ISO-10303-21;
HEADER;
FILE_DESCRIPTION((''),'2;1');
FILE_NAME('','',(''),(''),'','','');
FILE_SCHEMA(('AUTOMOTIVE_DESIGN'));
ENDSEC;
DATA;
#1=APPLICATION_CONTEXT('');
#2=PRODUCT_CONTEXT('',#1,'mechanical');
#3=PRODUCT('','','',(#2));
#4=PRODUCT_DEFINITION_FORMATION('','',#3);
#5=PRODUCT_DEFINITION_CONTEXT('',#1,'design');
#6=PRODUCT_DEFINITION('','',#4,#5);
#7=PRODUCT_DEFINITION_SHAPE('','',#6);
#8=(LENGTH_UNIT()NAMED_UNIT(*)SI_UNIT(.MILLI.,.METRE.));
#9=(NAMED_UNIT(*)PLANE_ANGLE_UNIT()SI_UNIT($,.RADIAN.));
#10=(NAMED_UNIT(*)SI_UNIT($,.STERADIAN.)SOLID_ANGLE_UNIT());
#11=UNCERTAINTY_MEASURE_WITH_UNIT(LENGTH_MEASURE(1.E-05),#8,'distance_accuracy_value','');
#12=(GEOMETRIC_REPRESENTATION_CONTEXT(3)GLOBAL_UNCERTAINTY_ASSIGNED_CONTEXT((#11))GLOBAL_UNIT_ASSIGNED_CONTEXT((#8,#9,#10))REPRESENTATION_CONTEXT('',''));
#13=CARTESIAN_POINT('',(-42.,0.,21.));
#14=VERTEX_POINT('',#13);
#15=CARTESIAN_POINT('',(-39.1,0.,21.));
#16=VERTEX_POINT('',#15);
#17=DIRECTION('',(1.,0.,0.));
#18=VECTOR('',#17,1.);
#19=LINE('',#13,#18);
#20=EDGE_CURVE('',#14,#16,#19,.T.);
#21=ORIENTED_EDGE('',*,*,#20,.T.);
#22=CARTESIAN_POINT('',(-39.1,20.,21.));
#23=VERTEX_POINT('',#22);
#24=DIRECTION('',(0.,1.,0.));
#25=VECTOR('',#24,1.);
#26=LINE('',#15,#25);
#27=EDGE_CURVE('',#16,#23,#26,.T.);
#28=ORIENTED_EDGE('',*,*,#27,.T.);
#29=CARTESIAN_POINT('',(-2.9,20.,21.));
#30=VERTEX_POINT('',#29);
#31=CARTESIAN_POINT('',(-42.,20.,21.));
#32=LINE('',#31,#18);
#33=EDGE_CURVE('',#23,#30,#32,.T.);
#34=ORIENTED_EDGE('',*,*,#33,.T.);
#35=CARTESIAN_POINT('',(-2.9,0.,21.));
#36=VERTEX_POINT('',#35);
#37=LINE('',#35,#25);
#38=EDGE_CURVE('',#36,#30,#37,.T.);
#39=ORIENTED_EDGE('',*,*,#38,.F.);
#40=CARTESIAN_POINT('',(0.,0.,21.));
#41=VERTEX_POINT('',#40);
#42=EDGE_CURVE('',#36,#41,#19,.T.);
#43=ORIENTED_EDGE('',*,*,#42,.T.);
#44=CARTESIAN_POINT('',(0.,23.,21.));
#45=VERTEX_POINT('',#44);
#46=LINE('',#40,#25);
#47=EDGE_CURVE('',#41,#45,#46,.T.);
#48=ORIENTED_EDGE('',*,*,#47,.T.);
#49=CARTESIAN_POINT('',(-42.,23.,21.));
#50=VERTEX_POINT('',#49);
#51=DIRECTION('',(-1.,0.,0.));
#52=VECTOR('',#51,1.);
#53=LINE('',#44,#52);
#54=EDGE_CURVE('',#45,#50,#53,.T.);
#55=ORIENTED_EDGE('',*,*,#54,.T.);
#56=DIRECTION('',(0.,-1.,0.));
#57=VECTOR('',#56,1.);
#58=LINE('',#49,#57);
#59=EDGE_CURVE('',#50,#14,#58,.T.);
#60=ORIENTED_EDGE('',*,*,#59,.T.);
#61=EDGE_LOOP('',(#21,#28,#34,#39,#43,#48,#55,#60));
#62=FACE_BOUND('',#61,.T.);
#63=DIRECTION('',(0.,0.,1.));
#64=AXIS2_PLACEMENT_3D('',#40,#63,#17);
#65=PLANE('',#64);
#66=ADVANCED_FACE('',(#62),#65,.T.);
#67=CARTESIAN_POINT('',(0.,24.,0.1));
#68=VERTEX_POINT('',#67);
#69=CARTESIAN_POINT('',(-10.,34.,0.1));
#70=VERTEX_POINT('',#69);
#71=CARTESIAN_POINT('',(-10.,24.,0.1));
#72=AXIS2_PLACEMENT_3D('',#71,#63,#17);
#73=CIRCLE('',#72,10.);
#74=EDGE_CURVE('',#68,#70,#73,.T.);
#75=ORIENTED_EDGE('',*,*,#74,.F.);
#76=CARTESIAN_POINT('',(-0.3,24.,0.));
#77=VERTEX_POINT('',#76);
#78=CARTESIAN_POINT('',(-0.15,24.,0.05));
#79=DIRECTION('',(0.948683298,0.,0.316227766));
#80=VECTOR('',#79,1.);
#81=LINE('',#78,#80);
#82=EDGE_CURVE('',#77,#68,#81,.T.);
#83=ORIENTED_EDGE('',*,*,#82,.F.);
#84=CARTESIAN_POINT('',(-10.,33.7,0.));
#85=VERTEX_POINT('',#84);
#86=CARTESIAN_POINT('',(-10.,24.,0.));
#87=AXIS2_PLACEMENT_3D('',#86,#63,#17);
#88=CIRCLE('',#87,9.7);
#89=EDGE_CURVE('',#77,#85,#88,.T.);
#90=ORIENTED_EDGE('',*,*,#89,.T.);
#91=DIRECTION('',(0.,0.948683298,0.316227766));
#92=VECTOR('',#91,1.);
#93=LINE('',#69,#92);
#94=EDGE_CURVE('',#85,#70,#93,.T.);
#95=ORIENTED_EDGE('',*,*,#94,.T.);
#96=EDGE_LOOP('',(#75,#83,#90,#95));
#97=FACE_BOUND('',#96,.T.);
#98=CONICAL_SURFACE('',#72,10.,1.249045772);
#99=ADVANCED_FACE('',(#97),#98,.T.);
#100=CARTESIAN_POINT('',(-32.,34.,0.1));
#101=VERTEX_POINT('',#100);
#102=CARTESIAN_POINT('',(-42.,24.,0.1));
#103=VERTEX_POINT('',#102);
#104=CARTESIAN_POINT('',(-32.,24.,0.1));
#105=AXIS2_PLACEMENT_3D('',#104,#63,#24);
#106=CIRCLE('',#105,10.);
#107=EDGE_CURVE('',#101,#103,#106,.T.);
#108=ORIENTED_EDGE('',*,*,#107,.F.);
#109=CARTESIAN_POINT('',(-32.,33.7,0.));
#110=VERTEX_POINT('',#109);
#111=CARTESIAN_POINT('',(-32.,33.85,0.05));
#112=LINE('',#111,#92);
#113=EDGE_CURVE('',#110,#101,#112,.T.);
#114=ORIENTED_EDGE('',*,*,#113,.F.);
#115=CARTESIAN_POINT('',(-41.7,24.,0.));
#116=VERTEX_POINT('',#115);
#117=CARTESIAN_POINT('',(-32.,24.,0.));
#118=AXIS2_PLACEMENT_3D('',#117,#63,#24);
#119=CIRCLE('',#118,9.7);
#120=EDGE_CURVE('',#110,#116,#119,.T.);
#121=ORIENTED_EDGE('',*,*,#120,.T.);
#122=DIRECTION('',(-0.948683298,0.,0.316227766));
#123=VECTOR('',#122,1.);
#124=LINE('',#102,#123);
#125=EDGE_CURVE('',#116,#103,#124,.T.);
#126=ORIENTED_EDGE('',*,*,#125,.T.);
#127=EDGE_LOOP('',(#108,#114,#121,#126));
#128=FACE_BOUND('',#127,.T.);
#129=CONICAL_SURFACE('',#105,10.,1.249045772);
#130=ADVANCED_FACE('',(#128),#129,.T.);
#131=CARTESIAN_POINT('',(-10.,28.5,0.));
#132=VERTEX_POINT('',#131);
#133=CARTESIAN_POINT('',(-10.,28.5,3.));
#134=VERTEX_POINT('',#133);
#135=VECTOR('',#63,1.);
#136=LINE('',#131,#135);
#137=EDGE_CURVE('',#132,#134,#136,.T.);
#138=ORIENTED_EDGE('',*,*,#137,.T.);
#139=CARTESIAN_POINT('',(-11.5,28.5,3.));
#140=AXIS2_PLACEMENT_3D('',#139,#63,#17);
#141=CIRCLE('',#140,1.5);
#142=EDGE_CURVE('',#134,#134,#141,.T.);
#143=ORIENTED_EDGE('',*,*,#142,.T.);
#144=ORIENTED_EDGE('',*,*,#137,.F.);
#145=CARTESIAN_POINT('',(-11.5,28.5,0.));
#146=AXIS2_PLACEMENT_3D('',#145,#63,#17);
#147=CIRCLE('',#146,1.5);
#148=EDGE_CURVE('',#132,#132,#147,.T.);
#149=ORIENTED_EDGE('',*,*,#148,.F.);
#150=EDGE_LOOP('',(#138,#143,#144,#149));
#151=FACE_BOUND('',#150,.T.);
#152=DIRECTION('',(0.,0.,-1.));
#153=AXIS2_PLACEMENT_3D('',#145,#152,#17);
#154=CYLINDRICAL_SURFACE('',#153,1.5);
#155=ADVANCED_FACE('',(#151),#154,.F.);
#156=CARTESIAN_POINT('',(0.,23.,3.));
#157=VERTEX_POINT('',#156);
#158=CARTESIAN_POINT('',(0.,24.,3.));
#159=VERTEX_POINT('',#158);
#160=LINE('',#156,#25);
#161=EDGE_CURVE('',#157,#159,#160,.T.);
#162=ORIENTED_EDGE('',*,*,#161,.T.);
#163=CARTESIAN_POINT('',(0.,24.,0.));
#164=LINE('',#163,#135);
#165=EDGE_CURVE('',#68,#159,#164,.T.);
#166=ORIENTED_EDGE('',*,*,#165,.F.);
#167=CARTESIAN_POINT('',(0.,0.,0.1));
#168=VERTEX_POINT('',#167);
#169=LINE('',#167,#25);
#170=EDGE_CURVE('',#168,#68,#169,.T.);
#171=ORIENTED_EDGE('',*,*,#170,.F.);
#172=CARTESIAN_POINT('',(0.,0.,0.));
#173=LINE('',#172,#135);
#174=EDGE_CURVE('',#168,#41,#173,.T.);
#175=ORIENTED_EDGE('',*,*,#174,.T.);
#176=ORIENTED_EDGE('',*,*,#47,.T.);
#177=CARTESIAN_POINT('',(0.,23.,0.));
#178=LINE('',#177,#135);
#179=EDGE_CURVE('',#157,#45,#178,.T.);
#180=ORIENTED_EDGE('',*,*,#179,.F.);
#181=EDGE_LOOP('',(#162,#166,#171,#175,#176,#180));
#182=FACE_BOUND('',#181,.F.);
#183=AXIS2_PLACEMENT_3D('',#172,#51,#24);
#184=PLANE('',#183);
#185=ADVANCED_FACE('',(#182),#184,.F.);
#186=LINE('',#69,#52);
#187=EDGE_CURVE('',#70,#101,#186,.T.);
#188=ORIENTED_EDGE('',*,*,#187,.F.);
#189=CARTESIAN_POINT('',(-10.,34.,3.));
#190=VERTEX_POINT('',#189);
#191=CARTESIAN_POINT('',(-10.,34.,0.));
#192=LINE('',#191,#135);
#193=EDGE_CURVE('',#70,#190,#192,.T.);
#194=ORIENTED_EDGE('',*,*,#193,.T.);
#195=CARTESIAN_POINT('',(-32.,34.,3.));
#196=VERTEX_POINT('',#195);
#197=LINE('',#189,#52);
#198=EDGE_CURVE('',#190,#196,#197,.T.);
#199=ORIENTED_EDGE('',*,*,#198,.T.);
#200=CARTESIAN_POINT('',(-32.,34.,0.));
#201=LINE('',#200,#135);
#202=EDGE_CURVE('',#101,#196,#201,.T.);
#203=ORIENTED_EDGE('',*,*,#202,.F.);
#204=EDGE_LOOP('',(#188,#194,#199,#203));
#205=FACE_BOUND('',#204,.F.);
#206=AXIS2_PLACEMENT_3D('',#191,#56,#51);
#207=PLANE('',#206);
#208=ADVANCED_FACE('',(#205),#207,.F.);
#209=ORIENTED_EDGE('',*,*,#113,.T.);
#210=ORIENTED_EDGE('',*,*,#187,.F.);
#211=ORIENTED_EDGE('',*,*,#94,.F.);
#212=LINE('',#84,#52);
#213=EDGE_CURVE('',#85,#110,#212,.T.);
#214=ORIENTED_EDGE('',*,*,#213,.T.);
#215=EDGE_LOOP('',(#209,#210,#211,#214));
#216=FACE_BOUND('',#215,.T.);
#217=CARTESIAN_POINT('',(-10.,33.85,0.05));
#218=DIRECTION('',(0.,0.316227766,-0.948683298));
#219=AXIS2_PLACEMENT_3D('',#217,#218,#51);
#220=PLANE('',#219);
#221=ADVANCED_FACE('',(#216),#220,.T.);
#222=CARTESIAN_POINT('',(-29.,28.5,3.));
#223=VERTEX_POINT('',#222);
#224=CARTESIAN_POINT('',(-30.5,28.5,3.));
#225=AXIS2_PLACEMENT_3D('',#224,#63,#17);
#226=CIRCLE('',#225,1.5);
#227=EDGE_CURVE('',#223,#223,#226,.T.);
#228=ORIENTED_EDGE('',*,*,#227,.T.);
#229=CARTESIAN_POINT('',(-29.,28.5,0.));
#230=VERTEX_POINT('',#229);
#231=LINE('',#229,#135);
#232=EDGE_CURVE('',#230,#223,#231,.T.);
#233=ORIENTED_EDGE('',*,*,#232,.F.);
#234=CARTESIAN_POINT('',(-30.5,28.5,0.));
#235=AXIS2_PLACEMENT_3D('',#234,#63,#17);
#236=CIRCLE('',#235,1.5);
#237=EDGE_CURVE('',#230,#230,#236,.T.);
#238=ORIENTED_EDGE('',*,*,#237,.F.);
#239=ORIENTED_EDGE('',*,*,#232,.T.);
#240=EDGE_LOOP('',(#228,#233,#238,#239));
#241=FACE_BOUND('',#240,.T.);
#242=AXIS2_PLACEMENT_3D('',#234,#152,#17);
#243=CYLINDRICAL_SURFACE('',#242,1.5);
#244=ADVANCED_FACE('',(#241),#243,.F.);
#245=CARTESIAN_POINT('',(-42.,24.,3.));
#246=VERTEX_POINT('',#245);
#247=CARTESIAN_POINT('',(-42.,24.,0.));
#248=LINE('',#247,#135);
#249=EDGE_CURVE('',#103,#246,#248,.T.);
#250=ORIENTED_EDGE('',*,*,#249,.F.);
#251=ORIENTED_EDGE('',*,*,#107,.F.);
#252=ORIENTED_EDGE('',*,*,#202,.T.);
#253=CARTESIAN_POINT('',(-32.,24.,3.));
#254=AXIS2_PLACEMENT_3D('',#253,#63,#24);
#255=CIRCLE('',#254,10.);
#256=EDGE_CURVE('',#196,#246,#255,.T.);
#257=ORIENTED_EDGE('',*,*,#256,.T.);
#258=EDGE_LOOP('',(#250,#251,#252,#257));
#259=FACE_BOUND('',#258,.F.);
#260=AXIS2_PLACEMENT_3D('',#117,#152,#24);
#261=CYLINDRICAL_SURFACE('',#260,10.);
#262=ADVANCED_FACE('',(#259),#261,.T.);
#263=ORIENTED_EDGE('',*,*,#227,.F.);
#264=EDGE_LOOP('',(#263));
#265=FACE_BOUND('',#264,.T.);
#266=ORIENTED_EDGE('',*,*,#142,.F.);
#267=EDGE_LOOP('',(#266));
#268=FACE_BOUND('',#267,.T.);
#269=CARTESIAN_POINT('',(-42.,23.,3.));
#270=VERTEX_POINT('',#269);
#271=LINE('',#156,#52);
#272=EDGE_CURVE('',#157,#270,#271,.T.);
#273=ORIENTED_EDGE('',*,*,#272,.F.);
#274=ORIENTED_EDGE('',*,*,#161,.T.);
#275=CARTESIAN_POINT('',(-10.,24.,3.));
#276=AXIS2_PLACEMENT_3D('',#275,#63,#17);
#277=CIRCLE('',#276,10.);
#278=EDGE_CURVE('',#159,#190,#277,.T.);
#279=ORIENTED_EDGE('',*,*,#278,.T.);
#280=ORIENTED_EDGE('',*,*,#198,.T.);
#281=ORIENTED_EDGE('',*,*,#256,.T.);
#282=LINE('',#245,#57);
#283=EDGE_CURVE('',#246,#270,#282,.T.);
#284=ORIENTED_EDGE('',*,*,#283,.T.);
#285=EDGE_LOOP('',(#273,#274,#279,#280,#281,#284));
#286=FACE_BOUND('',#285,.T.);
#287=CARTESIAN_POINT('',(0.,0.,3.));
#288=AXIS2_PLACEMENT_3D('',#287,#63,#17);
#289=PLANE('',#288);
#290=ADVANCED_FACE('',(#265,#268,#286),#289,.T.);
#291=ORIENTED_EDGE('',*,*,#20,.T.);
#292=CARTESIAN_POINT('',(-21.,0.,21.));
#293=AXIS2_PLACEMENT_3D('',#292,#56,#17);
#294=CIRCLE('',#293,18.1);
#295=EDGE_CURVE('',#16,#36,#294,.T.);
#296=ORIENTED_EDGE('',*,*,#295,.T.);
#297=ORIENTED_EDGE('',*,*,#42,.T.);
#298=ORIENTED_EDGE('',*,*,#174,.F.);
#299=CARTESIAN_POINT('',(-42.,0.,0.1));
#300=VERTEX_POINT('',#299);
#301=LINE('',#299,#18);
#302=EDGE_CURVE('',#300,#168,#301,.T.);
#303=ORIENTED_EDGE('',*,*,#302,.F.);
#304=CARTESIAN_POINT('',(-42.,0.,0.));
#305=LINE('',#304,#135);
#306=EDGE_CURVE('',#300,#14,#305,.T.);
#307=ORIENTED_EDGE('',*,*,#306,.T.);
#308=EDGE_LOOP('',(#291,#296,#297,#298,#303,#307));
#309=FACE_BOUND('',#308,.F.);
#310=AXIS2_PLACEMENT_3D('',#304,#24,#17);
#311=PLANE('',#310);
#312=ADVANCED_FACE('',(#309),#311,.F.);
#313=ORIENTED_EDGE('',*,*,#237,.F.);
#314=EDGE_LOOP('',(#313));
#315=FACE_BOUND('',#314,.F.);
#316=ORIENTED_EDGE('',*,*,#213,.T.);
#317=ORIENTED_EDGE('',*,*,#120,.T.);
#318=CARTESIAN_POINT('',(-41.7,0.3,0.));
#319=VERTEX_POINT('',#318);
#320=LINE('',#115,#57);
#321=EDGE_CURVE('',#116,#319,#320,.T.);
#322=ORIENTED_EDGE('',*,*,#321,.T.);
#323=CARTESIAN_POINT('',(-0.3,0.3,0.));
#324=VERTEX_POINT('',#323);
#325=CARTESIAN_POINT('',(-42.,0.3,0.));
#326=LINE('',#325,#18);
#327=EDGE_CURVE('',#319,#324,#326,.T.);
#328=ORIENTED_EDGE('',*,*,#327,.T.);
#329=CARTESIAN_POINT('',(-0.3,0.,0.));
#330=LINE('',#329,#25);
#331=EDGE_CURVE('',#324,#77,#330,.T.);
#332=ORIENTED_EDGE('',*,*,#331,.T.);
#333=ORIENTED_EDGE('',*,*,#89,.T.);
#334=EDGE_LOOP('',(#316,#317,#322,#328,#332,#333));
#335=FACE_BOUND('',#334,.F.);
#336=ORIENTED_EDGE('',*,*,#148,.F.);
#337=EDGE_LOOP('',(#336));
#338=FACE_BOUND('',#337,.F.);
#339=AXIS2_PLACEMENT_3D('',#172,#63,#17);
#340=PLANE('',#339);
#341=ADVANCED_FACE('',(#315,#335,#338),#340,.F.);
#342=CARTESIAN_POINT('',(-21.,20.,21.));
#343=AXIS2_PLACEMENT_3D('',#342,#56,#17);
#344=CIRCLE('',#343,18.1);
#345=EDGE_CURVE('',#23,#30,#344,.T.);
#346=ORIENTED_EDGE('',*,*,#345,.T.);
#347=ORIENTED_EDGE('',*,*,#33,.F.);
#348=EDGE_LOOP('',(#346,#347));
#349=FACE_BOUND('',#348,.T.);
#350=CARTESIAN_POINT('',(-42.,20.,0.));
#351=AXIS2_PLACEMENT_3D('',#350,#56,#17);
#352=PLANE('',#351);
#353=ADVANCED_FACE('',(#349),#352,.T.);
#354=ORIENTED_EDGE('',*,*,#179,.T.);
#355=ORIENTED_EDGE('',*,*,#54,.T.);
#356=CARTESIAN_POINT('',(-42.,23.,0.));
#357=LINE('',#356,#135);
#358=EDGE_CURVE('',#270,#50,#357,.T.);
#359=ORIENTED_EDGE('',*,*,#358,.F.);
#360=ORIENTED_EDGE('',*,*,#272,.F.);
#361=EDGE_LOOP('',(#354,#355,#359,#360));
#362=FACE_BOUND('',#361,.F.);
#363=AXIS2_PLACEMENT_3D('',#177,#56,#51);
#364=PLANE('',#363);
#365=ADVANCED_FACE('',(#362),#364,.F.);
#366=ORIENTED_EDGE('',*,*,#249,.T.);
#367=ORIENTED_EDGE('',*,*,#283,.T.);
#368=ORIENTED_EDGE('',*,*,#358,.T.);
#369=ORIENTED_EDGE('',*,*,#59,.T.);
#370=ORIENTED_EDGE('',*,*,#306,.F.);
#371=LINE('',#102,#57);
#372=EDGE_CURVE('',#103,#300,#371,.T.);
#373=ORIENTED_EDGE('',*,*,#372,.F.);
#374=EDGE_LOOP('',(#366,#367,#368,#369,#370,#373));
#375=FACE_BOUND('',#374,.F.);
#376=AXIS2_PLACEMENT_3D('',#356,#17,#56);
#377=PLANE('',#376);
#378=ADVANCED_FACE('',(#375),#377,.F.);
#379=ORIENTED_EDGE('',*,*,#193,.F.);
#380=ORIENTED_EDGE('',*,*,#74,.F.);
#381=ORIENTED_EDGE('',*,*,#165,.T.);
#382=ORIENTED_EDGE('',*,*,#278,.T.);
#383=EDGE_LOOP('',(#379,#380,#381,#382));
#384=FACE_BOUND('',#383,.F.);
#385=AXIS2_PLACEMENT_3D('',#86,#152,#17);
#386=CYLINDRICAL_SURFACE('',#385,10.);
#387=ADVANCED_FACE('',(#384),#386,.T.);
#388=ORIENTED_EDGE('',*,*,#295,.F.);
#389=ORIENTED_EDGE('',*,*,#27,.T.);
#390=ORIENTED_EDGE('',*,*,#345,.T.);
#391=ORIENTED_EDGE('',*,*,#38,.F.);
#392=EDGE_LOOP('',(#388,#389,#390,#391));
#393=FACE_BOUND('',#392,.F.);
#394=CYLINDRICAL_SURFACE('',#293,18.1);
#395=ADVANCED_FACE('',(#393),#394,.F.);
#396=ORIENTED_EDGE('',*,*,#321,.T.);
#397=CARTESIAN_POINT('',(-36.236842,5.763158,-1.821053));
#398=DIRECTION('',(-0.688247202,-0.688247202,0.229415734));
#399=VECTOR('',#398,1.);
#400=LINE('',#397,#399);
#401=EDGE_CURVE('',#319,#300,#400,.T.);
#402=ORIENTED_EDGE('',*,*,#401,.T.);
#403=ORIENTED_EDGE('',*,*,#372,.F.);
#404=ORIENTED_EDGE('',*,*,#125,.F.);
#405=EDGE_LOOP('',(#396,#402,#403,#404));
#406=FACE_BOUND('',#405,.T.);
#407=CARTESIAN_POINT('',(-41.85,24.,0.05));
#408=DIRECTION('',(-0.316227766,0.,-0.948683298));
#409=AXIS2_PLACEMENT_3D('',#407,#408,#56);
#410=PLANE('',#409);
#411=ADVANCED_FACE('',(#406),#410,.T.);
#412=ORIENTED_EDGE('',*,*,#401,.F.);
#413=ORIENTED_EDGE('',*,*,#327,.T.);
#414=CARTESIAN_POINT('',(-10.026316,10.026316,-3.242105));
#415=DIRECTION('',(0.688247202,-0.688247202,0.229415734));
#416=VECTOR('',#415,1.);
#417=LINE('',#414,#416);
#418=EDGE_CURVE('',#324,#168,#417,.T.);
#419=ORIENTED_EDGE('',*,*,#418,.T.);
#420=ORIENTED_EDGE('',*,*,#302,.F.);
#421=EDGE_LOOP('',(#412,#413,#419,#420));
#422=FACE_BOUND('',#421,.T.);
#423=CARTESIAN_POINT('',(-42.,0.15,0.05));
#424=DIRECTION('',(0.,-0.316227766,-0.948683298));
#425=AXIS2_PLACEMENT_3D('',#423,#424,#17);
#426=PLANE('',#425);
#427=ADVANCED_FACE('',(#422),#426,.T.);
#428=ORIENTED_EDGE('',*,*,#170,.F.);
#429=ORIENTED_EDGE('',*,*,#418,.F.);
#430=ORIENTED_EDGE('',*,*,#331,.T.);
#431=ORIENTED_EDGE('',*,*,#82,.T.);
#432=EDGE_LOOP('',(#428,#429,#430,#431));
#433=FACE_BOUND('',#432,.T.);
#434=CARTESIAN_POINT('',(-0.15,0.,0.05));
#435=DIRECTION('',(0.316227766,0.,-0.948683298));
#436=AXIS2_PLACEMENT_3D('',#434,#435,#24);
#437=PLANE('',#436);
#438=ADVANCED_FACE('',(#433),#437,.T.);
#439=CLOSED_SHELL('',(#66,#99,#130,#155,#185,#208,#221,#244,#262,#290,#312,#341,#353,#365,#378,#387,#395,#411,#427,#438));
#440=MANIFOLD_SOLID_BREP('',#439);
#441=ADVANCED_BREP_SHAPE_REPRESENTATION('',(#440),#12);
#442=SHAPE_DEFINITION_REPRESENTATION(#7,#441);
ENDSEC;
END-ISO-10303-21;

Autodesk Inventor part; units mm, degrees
ref_plane "YZ Plane" through (0, 0, 0) normal (1, 0, 0) x (0, 1, 0)
ref_plane "XZ Plane" through (0, 0, 0) normal (0, 1, 0) x (-1, 0, 0)
ref_plane "XY Plane" through (0, 0, 0) normal (0, 0, 1) x (1, 0, 0)
sketch "Эскиз1" plane through (0, 0, 0) normal (0, 0, 1) x (1, 0, 0)
  line L0 (-42, 24) -> (-42, 23)
  line L1 (-10, 34) -> (-32, 34)
  line L2 (-42, 23) -> (-42, 0)
  line L3 (0, 23) -> (-42, 23)
  line L4 (-42, 0) -> (0, 0)
  line L5 (-42, 23) -> (0, 23)
  line L6 (-27.8, 26.9412) -> (-30.5, 25.3823)
  line L7 (-30.5, 25.3823) -> (-33.2, 26.9412)
  circle A0 centre (-30.5, 28.5) radius 1.5
  line L8 (-27.8, 30.0588) -> (-27.8, 26.9412)
  line L9 (-33.2, 26.9412) -> (-33.2, 30.0588)
  arc A1 (-32, 34) -> (-42, 24) centre (-32, 24) ccw
  line L10 (-30.5, 31.6177) -> (-27.8, 30.0588)
  line L11 (-33.2, 30.0588) -> (-30.5, 31.6177)
  line L12 (-14.2, 26.9412) -> (-14.2, 30.0588)
  line L13 (-14.2, 30.0588) -> (-11.5, 31.6177)
  line L14 (-11.5, 25.3823) -> (-14.2, 26.9412)
  circle A2 centre (-11.5, 28.5) radius 1.5
  line L15 (-11.5, 31.6177) -> (-8.8, 30.0588)
  line L16 (-8.8, 30.0588) -> (-8.8, 26.9412)
  line L17 (-8.8, 26.9412) -> (-11.5, 25.3823)
  line L18 (0, 0) -> (0, 23)
  line L19 (0, 23) -> (0, 24)
  arc A3 (0, 24) -> (-10, 34) centre (-10, 24) ccw
  dimension "d0" = 23
  dimension "d1" = 5.4
  dimension "d2" = 10
  dimension "d4" = 4
  dimension "d5" = 4
  dimension "d7" = 4
  dimension "d8" = 10
  dimension "d9" = 10
  dimension "d10" = 42
extrude "Выдавливание1" add sketch "Эскиз1" along normal blind 21 contours L3 L18 L4 L2
sketch "Эскиз2" plane through (-42, 0, 0) normal (0, -1, 0) x (1, 0, 0)
  line L0 (0, 21) -> (42, 21) projected
  circle A0 centre (21, 21) radius 18.1
  point P0 (42, 0)
  point P1 (39.1, 21)
  point P2 (2.9, 21)
extrude "Выдавливание2" cut sketch "Эскиз2" against normal blind 20 contours L0 A0 picked at (19.3763, 11.111)
extrude "Выдавливание3" add sketch "Эскиз1" along normal blind 3 contours A1 L1 A3 L19 L3 L0 | L6 L7 L9 L11 L10 L8 | L12 L13 L15 L16 L17 L14
chamfer "Фаска1" distance 0.3 distance2 0.1 5 edges at (0, 12, 0) (-2.9289, 31.0711, 0) (-21, 34, 0) (-39.0711, 31.0711, 0) (-21, 0, 0) measured on face at (-18.0106, 9.0325, 0)
properties part number "Держатель динамика"
